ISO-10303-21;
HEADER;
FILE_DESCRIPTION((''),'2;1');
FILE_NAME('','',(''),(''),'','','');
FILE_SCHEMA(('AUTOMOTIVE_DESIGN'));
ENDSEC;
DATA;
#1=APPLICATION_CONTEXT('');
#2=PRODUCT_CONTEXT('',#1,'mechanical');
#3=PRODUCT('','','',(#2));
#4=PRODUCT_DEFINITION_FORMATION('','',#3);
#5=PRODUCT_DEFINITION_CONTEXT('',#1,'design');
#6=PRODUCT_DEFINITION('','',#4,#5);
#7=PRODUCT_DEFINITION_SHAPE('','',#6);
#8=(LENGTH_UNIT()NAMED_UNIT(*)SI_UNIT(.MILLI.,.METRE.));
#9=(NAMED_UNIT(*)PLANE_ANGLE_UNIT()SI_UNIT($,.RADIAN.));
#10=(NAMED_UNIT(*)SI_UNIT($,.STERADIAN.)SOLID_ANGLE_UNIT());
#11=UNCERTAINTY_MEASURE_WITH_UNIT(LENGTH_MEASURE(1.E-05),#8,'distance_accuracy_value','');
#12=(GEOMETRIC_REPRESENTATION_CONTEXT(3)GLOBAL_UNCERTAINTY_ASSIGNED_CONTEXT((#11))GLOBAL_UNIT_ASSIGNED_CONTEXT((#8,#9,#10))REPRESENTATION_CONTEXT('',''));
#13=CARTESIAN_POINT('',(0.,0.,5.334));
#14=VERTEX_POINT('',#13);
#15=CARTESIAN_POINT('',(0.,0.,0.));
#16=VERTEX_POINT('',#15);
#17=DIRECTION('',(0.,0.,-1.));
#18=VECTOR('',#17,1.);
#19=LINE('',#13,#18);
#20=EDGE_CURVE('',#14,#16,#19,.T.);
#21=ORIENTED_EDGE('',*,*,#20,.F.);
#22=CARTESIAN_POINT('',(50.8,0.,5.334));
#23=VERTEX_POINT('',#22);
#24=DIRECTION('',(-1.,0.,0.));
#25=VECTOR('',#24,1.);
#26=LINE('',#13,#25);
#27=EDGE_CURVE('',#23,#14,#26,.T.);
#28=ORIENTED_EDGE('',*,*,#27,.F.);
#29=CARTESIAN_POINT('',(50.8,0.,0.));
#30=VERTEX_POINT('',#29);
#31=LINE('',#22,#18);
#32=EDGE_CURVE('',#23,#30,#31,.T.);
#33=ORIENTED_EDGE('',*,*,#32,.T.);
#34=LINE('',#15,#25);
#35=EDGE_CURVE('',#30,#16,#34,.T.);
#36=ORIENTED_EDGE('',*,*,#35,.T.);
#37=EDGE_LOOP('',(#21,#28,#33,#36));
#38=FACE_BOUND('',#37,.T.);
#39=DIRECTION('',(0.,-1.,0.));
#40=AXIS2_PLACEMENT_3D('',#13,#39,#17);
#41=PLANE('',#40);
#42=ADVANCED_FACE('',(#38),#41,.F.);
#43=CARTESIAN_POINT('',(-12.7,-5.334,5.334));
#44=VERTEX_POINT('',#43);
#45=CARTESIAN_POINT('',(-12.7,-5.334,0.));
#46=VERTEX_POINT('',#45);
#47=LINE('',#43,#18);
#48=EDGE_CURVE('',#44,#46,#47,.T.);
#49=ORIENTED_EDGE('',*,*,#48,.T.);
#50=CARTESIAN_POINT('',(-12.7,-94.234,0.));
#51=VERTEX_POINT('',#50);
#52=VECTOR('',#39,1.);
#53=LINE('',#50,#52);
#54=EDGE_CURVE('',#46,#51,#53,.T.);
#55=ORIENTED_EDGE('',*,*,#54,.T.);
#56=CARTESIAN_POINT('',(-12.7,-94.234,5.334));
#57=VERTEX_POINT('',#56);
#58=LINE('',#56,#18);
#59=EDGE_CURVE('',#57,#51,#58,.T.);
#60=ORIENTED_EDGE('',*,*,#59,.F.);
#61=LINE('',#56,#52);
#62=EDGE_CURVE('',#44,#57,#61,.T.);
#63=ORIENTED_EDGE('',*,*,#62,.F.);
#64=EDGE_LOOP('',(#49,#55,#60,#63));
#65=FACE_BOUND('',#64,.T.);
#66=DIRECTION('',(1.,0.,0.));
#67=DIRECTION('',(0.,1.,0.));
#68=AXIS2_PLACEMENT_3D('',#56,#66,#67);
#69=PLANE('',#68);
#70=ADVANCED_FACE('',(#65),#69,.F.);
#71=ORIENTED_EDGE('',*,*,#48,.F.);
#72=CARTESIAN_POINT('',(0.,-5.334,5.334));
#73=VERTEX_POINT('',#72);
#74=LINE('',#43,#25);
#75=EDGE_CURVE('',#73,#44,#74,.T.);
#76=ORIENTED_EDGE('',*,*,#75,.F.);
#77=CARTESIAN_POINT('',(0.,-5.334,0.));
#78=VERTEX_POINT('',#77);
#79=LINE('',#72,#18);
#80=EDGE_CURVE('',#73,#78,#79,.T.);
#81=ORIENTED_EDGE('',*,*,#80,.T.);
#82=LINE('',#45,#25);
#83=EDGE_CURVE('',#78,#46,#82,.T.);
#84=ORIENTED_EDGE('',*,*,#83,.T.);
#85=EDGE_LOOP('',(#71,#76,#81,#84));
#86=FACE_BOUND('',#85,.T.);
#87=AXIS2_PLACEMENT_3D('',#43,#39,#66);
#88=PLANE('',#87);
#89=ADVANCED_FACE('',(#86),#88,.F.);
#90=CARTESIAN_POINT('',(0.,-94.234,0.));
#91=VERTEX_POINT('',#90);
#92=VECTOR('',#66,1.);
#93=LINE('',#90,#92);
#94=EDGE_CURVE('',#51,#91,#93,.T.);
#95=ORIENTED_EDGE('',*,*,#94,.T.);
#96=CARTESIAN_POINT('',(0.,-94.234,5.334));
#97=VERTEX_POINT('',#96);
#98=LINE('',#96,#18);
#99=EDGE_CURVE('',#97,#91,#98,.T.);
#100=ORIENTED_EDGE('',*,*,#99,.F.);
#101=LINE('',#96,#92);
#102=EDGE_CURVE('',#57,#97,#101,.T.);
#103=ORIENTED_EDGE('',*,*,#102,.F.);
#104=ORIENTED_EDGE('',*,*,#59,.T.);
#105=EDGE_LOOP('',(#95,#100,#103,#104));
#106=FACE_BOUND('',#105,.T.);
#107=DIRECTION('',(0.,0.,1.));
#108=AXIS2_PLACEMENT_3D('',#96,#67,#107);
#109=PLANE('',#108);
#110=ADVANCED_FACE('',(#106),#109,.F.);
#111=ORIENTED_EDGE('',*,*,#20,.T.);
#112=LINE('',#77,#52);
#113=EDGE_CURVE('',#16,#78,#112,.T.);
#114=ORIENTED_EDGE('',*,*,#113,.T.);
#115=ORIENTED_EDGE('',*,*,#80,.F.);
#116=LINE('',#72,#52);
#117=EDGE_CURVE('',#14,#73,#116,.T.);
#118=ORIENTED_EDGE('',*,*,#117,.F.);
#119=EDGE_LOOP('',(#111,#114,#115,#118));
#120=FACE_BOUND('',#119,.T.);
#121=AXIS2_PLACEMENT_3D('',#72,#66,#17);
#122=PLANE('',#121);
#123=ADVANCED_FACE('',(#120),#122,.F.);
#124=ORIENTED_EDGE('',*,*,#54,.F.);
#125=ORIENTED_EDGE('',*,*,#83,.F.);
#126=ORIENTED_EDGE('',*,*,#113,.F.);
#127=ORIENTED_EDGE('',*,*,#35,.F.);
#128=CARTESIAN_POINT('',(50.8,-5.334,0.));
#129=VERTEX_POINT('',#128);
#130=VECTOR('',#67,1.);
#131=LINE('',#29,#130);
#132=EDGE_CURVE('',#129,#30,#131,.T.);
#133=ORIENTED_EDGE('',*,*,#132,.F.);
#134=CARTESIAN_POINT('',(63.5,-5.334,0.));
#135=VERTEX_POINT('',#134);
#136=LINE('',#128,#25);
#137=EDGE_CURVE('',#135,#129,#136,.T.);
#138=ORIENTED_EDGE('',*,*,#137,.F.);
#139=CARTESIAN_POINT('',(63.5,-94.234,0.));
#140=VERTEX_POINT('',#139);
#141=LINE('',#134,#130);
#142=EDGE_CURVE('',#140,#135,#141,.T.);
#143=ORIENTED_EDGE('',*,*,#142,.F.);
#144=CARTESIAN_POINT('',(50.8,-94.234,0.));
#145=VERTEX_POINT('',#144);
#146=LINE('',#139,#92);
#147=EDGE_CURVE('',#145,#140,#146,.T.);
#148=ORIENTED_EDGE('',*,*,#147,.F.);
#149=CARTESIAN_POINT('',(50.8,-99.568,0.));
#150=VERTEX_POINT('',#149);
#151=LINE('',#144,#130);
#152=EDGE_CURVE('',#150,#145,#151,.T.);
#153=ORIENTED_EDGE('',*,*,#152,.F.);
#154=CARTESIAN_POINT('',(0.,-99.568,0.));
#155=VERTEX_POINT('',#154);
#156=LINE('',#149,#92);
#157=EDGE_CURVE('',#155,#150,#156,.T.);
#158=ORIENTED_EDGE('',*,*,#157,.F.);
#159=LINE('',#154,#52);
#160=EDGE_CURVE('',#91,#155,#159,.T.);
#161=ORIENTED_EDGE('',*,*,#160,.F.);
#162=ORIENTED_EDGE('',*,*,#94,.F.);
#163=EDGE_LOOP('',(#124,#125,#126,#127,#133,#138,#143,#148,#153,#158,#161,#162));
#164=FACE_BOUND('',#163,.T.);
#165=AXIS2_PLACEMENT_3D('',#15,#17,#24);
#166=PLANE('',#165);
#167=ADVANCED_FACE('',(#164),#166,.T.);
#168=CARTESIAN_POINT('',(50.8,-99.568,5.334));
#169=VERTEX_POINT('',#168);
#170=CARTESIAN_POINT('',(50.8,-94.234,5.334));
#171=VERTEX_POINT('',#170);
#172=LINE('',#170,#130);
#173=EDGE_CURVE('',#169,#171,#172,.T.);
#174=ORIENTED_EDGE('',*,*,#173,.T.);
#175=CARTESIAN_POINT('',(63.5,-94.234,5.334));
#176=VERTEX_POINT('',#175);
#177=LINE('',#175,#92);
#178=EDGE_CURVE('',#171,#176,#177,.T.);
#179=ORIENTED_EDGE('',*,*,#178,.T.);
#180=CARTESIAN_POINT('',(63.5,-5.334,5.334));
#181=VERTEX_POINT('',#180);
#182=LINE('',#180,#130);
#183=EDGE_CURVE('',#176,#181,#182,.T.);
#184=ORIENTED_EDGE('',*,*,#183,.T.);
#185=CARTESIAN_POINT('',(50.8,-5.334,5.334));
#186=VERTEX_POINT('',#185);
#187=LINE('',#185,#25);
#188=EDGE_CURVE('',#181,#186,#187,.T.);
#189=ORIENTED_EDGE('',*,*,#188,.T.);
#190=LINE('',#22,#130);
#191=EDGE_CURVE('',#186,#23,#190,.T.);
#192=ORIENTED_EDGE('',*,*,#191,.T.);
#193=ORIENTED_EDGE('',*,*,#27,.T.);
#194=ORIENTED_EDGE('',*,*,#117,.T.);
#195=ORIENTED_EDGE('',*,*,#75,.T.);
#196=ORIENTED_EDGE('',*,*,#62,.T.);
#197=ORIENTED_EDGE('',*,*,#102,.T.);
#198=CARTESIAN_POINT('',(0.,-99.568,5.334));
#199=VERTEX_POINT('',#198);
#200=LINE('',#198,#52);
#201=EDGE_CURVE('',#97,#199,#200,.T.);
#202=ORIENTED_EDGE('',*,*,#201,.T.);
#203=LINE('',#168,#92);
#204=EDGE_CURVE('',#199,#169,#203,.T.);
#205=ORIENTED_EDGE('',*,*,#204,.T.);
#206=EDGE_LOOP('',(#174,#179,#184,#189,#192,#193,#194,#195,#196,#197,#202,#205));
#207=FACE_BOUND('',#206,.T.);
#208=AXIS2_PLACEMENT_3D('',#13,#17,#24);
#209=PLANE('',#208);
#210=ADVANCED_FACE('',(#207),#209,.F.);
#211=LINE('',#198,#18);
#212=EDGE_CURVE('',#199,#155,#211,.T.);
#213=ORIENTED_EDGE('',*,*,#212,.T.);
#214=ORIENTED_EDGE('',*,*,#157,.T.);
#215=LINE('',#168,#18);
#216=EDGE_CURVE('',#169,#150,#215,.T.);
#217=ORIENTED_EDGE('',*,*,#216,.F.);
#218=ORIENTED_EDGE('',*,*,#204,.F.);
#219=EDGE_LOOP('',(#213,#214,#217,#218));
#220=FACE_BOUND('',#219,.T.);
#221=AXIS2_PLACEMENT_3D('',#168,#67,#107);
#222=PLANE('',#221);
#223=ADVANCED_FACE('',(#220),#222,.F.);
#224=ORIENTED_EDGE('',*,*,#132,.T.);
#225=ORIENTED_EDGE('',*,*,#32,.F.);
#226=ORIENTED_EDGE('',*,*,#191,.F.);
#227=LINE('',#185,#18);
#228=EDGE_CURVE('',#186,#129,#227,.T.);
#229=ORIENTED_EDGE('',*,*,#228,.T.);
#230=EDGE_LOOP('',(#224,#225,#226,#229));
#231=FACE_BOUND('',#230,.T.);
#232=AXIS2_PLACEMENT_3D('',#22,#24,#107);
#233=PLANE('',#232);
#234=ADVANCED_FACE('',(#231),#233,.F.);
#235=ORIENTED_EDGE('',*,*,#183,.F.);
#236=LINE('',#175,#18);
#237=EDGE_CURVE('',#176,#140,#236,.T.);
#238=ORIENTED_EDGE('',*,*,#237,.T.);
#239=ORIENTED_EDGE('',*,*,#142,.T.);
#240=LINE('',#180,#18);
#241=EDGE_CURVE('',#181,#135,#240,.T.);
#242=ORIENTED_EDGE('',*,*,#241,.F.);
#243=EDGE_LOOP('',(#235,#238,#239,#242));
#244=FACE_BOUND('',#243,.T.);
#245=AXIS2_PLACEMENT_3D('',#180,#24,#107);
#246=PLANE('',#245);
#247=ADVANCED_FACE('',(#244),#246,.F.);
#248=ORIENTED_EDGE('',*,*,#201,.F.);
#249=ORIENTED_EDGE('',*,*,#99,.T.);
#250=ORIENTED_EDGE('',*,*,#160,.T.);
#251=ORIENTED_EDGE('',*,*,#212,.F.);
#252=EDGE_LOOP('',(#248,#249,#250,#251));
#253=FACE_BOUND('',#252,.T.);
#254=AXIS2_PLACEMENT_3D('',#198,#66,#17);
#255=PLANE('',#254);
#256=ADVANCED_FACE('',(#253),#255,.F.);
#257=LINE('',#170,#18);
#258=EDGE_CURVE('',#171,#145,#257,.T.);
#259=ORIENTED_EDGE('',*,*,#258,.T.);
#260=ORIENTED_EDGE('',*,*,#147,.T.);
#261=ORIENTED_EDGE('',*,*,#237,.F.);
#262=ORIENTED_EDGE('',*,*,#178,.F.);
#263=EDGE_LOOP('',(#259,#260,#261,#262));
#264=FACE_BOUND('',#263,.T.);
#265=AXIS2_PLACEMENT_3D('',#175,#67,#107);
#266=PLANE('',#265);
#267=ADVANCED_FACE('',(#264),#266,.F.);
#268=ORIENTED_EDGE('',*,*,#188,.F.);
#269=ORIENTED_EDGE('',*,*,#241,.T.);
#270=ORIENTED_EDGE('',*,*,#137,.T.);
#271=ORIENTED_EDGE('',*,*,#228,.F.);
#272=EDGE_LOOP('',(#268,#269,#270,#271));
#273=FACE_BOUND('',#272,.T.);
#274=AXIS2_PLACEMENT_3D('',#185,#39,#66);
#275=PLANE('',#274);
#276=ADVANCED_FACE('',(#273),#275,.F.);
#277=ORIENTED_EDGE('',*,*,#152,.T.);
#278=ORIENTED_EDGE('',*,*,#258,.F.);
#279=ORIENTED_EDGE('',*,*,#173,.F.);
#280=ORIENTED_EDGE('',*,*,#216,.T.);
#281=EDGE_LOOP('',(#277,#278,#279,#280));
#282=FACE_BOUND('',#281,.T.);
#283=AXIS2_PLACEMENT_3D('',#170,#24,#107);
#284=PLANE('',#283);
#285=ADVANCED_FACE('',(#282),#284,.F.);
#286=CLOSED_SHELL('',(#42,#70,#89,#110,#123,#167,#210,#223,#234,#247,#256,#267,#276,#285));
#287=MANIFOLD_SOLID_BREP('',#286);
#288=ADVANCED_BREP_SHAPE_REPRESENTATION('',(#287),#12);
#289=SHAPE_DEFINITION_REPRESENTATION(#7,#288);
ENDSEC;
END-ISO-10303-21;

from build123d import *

# Parameters (mm, degrees)
BOSS_EXTRUDE1_DEPTH = 5.334


with BuildPart() as part:
    # Sketch1 → Boss-Extrude1 (new body)
    with BuildSketch(Plane.XY):
        Polygon((0, 0), (50.8, 0), (50.8, -5.334), (63.5, -5.334), (63.5, -94.234), (50.8, -94.234), (50.8, -99.568), (0, -99.568), (0, -94.234), (-12.7, -94.234), (-12.7, -5.334), (0, -5.334), align=None)
    extrude(amount=BOSS_EXTRUDE1_DEPTH)


solid = part.part
